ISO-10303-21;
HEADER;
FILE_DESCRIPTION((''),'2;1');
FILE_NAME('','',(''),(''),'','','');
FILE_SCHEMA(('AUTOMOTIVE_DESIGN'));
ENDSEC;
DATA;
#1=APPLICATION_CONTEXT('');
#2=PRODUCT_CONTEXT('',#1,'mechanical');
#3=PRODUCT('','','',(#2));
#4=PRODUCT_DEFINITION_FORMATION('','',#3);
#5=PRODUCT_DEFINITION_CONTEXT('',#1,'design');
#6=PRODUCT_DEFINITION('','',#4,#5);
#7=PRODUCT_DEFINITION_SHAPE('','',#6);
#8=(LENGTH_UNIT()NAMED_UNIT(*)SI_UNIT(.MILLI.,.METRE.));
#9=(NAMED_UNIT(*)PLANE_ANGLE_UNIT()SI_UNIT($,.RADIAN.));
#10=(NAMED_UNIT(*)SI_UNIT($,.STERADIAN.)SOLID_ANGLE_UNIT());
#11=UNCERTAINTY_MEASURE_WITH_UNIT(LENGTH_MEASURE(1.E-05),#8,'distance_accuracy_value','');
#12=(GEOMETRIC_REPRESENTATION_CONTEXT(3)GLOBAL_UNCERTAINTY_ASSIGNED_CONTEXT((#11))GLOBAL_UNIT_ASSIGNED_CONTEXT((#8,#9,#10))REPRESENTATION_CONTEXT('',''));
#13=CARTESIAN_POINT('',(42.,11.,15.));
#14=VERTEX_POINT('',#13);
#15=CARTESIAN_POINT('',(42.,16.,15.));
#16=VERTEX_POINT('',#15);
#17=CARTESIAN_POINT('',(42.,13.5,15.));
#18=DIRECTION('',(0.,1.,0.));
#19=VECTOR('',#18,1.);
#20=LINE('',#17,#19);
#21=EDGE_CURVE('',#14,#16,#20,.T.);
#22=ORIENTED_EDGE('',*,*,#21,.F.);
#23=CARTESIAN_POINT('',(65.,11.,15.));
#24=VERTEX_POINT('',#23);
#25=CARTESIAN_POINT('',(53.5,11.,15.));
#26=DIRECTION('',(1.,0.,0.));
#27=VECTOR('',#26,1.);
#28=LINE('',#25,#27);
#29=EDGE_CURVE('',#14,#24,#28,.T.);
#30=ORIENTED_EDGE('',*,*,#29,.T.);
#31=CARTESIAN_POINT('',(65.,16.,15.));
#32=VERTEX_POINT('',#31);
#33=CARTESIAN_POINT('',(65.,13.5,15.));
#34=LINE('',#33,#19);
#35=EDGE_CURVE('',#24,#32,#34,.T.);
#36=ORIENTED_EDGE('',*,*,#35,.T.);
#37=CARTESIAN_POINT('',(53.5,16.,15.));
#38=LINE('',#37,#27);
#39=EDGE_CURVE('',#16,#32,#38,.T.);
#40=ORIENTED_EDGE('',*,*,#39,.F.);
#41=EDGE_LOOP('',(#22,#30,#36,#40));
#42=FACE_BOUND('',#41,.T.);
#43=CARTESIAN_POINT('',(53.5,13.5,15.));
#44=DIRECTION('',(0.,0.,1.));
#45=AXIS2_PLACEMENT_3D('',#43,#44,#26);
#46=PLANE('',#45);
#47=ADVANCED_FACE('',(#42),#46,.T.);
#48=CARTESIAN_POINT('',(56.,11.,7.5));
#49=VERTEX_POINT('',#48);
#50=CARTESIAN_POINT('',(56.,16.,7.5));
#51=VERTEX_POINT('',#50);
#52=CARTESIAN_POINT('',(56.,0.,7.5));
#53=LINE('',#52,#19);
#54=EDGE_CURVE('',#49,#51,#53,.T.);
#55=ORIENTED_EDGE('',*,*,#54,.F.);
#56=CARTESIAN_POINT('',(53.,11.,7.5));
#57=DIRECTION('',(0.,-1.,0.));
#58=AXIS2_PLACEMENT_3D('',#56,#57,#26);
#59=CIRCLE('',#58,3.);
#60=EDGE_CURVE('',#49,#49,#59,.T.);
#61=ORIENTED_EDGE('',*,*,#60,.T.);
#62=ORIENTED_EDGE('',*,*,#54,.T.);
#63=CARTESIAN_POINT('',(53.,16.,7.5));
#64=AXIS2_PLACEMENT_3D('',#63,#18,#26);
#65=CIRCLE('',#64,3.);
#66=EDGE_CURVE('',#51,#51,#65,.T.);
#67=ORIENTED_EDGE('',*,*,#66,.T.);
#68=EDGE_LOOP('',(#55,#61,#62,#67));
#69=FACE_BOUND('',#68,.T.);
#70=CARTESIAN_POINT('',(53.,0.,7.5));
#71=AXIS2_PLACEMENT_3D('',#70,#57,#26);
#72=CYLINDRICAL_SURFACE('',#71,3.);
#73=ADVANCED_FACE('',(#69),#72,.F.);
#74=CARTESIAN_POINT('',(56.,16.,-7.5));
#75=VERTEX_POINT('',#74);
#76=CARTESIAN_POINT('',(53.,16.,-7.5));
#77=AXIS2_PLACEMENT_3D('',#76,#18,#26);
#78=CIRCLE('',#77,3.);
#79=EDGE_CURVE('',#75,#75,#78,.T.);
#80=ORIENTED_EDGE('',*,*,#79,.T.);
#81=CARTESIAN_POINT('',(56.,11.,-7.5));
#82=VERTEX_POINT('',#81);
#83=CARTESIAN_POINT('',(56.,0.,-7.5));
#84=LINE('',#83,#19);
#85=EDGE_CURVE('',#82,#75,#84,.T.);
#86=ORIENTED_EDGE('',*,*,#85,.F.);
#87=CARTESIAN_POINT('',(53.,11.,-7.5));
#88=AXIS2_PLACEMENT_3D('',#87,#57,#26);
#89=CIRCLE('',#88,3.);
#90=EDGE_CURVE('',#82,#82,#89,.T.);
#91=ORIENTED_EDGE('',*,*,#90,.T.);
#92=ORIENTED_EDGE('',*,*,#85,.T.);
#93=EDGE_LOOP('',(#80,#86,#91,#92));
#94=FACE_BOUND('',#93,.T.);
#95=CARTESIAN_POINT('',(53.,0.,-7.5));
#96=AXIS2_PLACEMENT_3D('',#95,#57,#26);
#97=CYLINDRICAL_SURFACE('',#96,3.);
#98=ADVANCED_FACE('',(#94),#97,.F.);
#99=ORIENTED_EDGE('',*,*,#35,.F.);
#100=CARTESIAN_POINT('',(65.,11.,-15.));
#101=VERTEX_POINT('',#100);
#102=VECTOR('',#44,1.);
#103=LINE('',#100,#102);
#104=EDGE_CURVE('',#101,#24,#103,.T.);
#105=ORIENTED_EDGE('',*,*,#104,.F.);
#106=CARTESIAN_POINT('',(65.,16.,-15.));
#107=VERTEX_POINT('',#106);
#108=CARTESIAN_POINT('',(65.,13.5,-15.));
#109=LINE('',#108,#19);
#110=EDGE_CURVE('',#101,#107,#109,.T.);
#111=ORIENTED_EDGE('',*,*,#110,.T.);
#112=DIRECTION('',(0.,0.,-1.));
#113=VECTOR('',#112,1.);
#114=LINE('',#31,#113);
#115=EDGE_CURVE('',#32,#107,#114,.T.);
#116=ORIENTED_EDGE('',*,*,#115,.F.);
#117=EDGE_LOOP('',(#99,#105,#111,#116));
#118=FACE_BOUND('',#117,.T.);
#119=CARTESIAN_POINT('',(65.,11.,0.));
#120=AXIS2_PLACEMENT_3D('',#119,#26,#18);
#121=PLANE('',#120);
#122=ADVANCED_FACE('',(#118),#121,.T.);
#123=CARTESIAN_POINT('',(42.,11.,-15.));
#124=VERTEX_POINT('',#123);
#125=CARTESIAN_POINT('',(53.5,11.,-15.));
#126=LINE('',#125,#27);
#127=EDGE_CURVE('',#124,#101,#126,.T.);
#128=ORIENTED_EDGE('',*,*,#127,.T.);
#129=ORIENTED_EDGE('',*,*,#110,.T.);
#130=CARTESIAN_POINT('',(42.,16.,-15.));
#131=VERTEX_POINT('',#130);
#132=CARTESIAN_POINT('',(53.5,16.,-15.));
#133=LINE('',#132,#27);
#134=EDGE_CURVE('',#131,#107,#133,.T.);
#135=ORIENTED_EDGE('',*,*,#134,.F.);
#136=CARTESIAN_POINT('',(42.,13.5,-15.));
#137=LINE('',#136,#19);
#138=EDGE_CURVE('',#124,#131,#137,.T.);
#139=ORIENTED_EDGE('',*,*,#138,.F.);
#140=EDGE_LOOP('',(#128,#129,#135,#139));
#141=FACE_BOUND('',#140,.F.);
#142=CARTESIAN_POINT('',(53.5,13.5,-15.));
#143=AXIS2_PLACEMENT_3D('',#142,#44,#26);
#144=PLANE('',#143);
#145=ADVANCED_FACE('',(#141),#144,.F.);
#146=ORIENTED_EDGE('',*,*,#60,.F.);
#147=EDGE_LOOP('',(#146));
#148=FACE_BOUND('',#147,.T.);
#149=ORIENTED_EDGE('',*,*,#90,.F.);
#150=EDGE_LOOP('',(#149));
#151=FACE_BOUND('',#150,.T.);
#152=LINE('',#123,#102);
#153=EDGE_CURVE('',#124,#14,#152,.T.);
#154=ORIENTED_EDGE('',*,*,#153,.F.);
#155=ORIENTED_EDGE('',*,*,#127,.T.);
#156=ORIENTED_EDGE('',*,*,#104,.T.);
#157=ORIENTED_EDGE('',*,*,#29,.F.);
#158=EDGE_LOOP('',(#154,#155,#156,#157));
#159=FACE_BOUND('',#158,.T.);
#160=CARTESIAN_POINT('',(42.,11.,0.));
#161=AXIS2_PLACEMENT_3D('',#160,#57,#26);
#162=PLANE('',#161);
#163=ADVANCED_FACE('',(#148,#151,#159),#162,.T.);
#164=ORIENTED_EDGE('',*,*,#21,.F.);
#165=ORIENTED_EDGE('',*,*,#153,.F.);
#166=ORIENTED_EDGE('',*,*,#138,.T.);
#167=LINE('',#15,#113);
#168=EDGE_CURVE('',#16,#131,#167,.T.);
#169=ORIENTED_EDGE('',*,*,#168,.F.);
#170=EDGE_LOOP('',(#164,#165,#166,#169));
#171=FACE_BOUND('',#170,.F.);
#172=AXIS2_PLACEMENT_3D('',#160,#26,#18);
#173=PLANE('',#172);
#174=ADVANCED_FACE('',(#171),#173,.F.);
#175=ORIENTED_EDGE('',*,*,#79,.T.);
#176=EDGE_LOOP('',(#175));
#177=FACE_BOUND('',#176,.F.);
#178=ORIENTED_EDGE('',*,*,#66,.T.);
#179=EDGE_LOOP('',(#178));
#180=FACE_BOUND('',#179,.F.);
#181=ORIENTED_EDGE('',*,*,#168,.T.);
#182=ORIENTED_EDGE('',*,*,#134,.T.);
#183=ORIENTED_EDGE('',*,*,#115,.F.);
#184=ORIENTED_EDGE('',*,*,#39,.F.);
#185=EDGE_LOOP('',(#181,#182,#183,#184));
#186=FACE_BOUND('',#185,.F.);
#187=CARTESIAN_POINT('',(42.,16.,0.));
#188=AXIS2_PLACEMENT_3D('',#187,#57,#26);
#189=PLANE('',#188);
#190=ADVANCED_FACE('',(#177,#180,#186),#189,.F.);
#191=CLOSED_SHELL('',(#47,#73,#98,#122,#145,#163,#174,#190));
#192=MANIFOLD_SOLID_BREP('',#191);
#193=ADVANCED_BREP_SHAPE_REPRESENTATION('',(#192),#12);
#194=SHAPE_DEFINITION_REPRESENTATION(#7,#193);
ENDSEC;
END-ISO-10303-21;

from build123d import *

# Parameters (mm, degrees)
SKIZZE4_W                            = 23
SKIZZE4_H                            = 5
AUFSATZ_LINEAR_AUSTRAGEN1_DEPTH      = 15
AUFSATZ_LINEAR_AUSTRAGEN1_DEPTH_BACK = 15
SKIZZE6_R                            = 3
SCHNITT_LINEAR_AUSTRAGEN1_DEPTH      = 16


with BuildPart() as part:
    # Skizze4 → Aufsatz-Linear austragen1 (new body, two sides)
    with BuildSketch(Plane.XY) as aufsatz_linear_austragen1_sk:
        with Locations((53.5, 13.5)):
            Rectangle(SKIZZE4_W, SKIZZE4_H)
    extrude(amount=AUFSATZ_LINEAR_AUSTRAGEN1_DEPTH)
    extrude(aufsatz_linear_austragen1_sk.sketch, amount=-AUFSATZ_LINEAR_AUSTRAGEN1_DEPTH_BACK)

    # Skizze6 → Schnitt-Linear austragen1 (cut)
    with BuildSketch(Plane(origin=(0, 0, 0), x_dir=(1, 0, 0), z_dir=(0, 1, 0))):
        with Locations((53, 7.5)):
            Circle(SKIZZE6_R)
        with Locations((53, -7.5)):
            Circle(SKIZZE6_R)
    extrude(amount=SCHNITT_LINEAR_AUSTRAGEN1_DEPTH, mode=Mode.SUBTRACT)


solid = part.part
